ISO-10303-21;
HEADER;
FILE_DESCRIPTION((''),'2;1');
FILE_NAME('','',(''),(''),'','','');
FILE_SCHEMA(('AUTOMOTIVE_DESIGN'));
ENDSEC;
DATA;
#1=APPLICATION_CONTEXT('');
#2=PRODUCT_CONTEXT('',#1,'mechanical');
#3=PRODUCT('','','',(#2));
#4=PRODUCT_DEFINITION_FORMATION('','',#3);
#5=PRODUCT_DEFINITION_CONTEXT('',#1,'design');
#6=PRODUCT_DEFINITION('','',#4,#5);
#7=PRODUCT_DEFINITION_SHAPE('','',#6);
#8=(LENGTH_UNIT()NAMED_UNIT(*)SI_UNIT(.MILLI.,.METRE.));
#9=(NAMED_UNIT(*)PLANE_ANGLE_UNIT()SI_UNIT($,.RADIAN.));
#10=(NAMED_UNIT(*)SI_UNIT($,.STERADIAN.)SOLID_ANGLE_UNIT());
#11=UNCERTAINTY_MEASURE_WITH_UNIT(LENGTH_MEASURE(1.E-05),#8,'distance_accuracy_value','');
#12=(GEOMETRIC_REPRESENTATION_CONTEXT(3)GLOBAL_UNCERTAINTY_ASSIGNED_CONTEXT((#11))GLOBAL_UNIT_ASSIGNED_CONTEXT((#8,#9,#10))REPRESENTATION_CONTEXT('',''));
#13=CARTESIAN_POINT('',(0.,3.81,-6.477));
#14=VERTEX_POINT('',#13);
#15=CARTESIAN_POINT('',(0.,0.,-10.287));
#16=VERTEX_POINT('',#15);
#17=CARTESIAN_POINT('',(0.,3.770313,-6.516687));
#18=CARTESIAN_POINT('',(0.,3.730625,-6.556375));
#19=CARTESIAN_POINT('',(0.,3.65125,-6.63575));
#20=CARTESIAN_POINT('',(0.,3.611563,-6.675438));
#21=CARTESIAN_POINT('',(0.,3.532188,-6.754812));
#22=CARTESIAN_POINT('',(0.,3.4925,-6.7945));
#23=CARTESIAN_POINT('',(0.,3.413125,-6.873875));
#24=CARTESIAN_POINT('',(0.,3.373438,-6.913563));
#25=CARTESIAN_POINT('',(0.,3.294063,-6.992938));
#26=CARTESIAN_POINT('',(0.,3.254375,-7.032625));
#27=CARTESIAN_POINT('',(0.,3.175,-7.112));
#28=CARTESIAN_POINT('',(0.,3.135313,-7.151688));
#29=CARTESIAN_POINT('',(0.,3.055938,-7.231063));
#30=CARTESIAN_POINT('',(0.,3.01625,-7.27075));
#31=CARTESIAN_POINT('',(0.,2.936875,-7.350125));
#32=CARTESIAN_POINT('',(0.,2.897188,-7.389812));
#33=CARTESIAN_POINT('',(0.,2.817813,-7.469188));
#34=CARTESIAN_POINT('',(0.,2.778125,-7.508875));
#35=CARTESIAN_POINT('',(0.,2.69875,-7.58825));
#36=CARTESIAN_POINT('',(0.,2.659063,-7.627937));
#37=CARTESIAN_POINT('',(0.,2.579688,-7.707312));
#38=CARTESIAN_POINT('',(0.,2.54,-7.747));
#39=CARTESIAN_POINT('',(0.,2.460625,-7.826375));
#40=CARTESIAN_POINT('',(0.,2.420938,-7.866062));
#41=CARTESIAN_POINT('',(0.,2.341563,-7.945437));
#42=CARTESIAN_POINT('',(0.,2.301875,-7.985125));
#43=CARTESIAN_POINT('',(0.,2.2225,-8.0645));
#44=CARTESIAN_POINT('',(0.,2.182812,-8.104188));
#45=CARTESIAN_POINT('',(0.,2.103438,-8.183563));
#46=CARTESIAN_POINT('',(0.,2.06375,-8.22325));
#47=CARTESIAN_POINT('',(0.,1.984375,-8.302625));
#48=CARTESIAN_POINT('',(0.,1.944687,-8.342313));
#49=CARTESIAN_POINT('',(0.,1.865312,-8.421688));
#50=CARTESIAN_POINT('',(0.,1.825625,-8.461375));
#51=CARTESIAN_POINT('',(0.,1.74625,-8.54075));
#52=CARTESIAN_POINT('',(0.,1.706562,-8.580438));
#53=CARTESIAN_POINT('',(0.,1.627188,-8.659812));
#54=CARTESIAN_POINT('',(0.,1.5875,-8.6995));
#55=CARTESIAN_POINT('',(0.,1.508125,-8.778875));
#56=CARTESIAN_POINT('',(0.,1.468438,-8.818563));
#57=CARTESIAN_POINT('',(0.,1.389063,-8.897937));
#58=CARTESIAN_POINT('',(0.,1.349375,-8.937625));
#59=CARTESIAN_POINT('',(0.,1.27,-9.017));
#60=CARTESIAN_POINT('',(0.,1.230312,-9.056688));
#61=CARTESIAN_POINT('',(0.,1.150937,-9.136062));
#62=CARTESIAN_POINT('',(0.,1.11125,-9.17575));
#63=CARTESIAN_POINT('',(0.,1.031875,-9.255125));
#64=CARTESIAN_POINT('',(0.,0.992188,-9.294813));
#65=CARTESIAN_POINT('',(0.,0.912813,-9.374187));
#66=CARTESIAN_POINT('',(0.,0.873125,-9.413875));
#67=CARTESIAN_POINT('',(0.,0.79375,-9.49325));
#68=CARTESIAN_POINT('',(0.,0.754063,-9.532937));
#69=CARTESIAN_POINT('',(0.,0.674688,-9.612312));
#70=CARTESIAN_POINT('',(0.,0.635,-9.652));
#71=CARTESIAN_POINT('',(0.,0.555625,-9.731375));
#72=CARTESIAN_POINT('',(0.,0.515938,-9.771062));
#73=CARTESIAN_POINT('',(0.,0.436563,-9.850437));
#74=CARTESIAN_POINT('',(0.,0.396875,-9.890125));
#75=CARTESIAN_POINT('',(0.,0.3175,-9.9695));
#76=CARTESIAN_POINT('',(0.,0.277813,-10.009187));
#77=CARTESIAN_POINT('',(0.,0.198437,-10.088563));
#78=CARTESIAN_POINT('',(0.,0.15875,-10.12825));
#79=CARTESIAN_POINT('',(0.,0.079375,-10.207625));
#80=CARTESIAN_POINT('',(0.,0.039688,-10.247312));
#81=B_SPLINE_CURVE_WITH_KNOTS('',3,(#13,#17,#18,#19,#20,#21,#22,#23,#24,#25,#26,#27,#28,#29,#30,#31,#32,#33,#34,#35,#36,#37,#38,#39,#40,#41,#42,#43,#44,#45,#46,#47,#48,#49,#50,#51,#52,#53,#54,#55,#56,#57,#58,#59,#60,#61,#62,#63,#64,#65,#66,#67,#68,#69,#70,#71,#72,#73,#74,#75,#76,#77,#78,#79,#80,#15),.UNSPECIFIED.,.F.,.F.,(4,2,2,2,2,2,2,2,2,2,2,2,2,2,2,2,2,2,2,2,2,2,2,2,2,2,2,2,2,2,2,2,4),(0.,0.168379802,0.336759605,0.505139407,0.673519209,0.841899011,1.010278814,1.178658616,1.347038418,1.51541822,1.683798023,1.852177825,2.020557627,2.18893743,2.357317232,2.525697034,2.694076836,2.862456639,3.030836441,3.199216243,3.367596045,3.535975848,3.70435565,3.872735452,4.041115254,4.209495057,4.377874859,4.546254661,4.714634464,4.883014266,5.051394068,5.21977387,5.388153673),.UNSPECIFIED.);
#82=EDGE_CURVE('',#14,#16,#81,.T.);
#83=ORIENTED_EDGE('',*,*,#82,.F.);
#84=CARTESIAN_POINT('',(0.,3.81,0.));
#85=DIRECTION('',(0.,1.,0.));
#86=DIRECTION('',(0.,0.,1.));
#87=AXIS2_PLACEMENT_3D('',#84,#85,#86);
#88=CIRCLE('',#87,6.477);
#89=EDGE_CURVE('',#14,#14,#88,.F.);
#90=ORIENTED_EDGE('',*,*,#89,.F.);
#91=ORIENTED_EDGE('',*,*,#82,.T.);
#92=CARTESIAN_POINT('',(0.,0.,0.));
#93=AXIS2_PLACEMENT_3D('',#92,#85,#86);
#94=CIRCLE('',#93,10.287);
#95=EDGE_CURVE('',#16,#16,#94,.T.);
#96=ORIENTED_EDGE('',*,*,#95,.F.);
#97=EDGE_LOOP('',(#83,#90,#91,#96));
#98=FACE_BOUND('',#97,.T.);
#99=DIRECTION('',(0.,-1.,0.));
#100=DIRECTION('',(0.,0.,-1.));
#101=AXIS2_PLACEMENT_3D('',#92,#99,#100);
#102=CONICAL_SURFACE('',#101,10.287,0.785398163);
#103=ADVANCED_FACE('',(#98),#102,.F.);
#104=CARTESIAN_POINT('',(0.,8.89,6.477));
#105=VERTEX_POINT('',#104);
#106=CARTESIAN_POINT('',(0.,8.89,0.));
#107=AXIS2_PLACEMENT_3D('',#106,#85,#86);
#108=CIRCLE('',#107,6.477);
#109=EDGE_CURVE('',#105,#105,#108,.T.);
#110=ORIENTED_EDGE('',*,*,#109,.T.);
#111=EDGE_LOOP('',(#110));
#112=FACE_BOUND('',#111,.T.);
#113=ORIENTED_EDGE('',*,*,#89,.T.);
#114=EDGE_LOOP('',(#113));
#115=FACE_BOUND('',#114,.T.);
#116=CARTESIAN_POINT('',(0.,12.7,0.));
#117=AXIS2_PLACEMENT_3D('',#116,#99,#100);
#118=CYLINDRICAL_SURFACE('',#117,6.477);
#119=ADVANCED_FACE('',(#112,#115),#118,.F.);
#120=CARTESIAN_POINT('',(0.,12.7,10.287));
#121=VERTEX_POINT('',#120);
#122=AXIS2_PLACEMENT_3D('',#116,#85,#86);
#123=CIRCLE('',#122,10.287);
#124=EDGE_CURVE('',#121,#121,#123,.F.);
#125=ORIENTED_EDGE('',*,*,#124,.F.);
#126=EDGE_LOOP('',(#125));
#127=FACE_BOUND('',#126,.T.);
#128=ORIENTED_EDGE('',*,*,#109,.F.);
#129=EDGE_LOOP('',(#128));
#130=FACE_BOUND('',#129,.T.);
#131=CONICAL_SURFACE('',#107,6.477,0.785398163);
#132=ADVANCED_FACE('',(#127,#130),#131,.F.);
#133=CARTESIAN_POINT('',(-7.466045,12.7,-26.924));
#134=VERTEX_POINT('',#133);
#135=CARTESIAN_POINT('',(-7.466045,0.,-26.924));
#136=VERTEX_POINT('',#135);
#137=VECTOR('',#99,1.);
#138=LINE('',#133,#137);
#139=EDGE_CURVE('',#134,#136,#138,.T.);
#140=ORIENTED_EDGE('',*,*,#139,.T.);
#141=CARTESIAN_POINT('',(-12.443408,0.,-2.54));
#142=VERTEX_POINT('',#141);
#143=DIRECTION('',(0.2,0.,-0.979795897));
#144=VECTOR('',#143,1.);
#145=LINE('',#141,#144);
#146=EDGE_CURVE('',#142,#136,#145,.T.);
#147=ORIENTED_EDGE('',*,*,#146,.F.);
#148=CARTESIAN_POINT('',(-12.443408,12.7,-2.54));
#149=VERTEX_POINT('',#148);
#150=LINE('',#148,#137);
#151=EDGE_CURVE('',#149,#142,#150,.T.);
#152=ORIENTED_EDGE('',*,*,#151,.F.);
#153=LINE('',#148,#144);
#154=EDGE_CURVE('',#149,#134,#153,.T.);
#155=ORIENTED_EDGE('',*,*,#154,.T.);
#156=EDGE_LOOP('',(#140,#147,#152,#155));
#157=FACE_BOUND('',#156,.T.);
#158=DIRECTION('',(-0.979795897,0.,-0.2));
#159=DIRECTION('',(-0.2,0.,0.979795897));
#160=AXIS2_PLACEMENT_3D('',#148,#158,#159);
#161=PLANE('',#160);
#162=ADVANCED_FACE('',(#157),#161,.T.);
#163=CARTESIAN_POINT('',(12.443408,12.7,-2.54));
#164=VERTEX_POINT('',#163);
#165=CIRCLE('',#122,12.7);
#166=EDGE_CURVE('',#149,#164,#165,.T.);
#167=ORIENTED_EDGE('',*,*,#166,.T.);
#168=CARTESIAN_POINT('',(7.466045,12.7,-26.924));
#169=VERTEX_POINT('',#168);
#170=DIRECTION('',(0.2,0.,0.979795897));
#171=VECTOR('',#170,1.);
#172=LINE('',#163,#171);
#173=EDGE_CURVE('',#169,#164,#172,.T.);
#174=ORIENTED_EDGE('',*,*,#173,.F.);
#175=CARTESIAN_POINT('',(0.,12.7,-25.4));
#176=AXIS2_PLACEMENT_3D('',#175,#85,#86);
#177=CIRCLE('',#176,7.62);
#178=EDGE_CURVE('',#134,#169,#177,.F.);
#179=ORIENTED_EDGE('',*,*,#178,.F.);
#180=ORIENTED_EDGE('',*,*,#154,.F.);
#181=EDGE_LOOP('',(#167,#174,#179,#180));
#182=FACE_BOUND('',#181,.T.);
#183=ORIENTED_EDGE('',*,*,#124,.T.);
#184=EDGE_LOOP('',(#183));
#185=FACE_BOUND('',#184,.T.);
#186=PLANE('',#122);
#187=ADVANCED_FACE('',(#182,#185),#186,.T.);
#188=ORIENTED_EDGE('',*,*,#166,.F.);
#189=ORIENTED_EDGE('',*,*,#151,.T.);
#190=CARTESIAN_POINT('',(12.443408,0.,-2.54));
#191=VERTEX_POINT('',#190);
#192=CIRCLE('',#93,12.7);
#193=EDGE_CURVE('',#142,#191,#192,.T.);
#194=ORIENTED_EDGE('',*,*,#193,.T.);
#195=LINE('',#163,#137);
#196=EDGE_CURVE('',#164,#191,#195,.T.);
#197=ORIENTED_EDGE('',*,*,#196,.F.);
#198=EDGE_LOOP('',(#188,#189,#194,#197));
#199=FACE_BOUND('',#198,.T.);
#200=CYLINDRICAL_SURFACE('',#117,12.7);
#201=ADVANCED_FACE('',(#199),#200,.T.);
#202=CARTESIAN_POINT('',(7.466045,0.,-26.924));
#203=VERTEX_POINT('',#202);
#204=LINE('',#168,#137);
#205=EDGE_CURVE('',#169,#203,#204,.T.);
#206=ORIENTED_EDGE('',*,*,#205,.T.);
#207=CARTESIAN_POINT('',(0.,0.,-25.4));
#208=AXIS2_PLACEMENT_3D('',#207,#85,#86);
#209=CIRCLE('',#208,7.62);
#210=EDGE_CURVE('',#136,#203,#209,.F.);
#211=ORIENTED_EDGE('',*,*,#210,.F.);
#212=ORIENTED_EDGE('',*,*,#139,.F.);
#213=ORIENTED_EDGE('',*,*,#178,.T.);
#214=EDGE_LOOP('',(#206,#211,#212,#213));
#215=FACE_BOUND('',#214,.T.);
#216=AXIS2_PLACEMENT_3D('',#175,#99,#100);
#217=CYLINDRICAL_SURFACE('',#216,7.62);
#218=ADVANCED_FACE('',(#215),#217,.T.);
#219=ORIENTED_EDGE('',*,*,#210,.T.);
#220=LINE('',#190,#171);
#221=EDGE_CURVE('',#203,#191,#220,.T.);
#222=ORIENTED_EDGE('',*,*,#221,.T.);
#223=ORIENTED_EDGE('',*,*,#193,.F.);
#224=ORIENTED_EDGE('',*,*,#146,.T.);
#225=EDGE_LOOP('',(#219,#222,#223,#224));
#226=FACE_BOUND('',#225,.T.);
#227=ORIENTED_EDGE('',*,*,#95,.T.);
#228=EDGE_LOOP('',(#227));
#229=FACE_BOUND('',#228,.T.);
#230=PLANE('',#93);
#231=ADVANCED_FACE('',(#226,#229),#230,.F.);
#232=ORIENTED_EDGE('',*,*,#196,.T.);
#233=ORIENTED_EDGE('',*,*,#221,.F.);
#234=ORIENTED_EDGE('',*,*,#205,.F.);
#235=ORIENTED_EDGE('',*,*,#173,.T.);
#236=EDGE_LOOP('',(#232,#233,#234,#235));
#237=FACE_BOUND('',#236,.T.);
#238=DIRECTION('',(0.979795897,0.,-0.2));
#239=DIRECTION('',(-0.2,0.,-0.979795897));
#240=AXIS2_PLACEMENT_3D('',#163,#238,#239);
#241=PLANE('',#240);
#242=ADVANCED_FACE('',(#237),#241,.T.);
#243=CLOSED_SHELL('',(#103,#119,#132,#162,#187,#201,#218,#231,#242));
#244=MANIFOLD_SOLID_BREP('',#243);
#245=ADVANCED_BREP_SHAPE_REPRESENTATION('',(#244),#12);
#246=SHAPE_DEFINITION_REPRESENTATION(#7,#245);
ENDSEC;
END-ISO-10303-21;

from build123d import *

# Parameters (mm, degrees)
SKETCH1_R           = 12.7
SKETCH1_R_2         = 6.477
BOSS_EXTRUDE1_DEPTH = 12.7
CHAMFER1_SIZE       = 3.81


with BuildPart() as part:
    # Sketch1 → Boss-Extrude1 (new body)
    # profile 1 of 2: a face of its own
    with BuildSketch(Plane(origin=(0, 0, 0), x_dir=(1, 0, 0), z_dir=(0, 1, 0))):
        with BuildLine():
            Line((-7.466044736, 26.924), (-12.443407893, 2.54))
            ThreePointArc((-12.443407893, 2.54), (0, 12.7), (12.443407893, 2.54))
            Line((12.443407893, 2.54), (7.466044736, 26.924))
            ThreePointArc((7.466044736, 26.924), (0, 33.02), (-7.466044736, 26.924))
        make_face()
    # profile 2 of 2: a face of its own
    with BuildSketch(Plane(origin=(0, 0, 0), x_dir=(1, 0, 0), z_dir=(0, 1, 0))):
        Circle(SKETCH1_R)
        with Locations(Location((0, 0, 0), (0, 0, 270))):
            Circle(SKETCH1_R_2, mode=Mode.SUBTRACT)
    extrude(amount=BOSS_EXTRUDE1_DEPTH)

    # Chamfer1
    chamfer1_edges = [part.edges().sort_by_distance(p)[0] for p in [
        (0, 12.7, -6.477),
        (0, 0, -6.477),
    ]]
    chamfer(chamfer1_edges, length=CHAMFER1_SIZE)


solid = part.part
